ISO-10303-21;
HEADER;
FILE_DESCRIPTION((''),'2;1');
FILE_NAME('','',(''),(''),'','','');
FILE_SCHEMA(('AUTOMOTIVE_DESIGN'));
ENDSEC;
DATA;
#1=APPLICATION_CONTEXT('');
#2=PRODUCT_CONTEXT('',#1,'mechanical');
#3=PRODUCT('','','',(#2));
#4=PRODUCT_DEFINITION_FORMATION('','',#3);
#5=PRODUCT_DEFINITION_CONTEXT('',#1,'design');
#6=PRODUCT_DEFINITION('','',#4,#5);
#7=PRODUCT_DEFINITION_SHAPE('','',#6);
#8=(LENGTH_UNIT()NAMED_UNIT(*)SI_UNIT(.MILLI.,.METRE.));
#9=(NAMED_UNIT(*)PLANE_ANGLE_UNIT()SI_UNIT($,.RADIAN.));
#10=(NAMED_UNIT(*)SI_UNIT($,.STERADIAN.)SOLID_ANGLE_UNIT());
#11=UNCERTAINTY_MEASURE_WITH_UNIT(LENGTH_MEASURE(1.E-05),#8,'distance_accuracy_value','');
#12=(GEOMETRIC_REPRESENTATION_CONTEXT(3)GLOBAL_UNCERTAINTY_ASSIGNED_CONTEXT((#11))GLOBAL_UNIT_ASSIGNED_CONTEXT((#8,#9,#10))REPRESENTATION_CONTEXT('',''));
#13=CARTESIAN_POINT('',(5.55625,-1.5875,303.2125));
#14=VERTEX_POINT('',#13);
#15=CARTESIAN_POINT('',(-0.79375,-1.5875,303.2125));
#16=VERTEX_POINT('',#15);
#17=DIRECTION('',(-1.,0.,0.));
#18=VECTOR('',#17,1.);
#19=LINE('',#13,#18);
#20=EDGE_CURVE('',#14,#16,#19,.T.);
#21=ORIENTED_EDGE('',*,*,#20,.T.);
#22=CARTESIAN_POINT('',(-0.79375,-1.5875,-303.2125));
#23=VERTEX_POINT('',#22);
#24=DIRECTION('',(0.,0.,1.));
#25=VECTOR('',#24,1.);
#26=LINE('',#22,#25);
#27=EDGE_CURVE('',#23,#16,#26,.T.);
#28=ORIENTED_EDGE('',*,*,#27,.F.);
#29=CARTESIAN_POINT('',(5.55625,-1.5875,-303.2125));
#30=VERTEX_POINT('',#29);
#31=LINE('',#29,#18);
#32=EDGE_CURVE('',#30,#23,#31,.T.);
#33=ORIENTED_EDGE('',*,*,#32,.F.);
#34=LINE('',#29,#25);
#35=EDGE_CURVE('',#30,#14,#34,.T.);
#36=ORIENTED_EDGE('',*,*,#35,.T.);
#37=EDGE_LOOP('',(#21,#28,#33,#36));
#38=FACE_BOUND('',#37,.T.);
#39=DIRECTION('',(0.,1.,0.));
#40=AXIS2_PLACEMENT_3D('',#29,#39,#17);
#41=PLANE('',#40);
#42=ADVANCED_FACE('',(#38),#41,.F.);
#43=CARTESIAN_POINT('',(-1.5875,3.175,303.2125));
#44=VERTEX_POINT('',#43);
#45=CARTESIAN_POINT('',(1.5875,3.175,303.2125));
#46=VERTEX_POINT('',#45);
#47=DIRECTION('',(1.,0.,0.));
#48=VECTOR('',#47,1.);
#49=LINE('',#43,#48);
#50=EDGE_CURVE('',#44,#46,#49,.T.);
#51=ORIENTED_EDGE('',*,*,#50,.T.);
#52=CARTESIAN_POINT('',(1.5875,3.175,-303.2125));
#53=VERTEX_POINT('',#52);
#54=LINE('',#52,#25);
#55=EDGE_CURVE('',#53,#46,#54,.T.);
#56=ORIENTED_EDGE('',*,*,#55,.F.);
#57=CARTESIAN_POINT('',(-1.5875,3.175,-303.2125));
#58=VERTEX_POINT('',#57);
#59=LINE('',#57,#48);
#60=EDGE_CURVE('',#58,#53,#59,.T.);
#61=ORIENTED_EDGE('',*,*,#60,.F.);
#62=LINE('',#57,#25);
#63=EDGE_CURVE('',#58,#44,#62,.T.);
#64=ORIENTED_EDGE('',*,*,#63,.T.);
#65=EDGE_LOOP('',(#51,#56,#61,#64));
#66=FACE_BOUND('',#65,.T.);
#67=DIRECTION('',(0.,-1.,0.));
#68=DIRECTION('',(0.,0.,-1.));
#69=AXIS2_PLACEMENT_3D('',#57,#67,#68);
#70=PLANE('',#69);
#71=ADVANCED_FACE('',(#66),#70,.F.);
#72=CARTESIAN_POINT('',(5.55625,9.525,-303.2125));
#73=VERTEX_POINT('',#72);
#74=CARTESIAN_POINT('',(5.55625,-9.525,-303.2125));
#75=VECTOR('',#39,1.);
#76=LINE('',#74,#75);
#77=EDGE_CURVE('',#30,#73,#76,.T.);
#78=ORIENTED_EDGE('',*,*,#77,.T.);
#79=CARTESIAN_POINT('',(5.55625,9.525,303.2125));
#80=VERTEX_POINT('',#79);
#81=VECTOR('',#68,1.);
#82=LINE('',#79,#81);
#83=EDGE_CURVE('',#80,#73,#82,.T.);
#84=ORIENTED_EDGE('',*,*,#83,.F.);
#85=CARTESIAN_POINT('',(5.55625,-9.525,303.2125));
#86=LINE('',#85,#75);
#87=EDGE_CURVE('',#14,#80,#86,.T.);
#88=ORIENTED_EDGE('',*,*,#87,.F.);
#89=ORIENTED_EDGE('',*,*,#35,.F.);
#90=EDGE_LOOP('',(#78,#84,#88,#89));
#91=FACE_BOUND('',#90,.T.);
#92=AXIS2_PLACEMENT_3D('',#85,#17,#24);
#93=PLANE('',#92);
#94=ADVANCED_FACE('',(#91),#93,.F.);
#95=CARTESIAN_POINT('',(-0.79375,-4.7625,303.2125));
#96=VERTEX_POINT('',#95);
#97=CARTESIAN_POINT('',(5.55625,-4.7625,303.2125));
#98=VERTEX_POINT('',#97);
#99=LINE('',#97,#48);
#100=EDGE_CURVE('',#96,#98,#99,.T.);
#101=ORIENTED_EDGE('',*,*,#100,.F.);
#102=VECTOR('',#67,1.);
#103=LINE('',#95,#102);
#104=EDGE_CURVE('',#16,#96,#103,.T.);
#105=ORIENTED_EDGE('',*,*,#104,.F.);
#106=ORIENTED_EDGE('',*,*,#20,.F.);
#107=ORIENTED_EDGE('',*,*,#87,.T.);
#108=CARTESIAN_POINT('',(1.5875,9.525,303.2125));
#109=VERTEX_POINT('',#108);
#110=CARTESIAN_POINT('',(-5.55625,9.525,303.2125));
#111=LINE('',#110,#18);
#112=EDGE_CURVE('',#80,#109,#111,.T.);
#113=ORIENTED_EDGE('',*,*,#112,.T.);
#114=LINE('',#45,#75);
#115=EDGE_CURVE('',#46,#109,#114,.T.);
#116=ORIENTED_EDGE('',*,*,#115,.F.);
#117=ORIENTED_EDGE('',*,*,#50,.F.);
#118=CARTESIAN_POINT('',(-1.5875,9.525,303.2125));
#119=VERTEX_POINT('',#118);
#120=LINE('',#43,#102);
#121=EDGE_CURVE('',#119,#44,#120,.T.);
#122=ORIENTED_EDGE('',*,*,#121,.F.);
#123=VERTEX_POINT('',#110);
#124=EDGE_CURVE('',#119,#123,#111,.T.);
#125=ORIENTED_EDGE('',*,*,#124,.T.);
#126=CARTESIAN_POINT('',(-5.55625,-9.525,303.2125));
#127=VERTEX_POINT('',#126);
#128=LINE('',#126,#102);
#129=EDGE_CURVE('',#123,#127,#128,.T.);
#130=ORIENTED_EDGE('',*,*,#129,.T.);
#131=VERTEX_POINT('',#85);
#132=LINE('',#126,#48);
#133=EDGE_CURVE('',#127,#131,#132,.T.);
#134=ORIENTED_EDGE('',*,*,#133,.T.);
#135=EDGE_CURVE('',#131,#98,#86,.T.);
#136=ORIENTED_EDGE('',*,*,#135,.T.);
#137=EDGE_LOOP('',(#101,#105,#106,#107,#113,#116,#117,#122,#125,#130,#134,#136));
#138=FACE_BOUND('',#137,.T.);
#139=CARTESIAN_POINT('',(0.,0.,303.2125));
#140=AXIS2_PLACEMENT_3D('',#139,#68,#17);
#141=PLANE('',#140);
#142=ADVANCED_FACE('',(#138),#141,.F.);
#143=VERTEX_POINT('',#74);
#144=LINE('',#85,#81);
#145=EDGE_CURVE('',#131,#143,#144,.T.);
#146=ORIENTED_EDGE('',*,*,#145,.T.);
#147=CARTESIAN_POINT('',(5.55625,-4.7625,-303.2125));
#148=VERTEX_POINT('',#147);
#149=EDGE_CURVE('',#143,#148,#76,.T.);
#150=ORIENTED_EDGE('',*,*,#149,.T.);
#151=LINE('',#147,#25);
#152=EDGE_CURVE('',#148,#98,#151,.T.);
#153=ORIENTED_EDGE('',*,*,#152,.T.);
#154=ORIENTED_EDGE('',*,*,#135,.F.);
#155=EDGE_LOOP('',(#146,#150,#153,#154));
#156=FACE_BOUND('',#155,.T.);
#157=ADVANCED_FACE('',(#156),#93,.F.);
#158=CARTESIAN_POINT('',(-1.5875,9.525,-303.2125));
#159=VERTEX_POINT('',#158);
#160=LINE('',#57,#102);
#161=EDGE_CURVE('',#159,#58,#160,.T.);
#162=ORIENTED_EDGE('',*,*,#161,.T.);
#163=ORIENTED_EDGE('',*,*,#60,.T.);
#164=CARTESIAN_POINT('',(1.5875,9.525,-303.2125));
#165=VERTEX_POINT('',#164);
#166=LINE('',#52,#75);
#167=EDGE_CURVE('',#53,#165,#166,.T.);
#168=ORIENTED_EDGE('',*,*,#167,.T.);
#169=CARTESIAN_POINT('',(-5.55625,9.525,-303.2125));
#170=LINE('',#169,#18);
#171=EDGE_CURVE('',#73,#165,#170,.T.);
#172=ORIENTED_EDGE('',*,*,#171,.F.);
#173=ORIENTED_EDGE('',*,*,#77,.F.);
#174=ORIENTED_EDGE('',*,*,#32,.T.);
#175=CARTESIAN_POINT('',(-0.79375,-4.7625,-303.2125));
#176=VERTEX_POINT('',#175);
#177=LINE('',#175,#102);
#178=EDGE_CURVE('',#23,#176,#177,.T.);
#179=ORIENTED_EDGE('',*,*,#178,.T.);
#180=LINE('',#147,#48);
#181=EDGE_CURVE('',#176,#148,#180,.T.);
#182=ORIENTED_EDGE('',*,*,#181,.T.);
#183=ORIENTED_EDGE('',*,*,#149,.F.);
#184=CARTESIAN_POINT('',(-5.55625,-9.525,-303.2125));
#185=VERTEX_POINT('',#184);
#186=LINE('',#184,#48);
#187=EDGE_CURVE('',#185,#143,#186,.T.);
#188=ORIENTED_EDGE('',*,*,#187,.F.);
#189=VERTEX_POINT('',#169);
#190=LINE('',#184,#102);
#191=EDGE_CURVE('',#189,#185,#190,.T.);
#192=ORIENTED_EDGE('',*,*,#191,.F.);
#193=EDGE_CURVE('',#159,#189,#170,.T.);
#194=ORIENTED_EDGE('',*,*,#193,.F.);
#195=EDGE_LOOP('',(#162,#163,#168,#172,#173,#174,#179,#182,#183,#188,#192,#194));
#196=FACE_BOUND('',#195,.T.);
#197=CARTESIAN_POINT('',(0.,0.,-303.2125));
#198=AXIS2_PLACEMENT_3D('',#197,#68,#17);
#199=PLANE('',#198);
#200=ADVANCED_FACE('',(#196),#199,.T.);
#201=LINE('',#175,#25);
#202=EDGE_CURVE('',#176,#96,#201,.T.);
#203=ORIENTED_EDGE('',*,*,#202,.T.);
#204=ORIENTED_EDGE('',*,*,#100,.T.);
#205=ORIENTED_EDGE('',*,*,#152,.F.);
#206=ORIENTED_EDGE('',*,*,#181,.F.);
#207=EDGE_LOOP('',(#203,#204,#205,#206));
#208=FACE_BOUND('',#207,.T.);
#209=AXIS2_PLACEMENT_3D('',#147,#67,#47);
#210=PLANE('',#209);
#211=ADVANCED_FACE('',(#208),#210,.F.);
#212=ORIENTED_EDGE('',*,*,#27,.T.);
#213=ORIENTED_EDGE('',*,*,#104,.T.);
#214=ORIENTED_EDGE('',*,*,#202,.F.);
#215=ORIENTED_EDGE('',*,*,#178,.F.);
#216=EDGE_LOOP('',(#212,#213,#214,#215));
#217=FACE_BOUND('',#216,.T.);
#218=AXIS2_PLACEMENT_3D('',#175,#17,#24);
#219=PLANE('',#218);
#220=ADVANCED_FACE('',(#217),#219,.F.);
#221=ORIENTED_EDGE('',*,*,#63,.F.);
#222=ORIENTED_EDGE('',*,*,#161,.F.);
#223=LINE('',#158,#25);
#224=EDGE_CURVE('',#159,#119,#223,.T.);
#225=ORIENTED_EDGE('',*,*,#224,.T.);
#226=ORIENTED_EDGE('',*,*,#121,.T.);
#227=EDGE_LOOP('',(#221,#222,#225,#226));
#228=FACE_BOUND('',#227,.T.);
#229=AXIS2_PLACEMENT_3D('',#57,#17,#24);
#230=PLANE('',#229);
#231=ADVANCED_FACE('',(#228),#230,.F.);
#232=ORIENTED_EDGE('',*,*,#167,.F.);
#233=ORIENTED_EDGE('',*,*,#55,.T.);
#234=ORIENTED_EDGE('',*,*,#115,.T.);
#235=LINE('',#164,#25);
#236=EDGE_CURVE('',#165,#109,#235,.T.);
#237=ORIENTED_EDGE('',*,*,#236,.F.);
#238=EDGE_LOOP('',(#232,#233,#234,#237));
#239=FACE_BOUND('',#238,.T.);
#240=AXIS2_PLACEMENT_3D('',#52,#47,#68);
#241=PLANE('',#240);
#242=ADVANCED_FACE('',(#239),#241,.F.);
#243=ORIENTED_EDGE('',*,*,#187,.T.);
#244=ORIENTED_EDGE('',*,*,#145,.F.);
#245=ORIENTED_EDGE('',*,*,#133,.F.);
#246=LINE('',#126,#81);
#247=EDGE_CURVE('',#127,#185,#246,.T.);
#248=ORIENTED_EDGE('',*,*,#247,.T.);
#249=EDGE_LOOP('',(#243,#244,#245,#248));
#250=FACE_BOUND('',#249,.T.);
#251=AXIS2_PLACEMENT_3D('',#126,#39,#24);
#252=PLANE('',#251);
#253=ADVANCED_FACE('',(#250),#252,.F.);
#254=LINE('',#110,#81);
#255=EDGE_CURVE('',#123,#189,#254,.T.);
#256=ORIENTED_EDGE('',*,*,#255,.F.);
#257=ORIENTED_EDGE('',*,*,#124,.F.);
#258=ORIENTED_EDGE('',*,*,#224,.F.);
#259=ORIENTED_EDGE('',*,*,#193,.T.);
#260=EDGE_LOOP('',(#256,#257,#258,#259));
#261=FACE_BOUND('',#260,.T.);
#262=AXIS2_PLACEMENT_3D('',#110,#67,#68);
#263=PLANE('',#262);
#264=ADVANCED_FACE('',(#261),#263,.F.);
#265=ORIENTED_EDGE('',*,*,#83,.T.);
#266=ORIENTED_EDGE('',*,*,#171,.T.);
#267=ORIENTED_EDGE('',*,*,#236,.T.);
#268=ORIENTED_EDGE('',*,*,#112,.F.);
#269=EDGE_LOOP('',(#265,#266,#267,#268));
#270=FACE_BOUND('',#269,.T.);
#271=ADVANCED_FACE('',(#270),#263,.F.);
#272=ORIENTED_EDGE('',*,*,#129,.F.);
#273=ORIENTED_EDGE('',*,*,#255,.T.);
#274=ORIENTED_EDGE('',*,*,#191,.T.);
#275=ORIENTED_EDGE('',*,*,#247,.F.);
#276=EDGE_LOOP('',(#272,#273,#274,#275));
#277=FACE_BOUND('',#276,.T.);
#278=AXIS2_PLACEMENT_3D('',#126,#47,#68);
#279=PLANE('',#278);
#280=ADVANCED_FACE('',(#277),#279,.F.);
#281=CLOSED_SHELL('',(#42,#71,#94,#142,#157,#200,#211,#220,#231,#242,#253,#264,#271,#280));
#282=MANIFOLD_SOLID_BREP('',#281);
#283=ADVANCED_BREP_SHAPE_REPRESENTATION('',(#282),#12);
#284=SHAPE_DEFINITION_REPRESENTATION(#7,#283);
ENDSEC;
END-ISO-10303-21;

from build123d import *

# Parameters (mm, degrees)
SKETCH1_W                            = 11.1125
SKETCH1_H                            = 19.05
WOOD_STRIP_DEPTH                     = 303.2125
SKETCH2_W                            = 3.175
SKETCH2_H                            = 6.35
SLOT_FOR_MOUNTING_TO_EXTRUSION_DEPTH = 607.425
SKETCH3_W                            = 6.35
SKETCH3_H                            = 3.175
SLOT_FOR_DIFFUSER_DEPTH              = 607.425


with BuildPart() as part:
    # Sketch1 → Wood Strip (new body, symmetric)
    with BuildSketch(Plane.XY):
        Rectangle(SKETCH1_W, SKETCH1_H)
    extrude(amount=WOOD_STRIP_DEPTH, both=True)

    # Sketch2 → Slot for Mounting to Extrusion (cut, through all)
    with BuildSketch(Plane.XY.offset(303.2125)):
        with Locations((0, 6.35)):
            Rectangle(SKETCH2_W, SKETCH2_H)
    extrude(amount=-SLOT_FOR_MOUNTING_TO_EXTRUSION_DEPTH, mode=Mode.SUBTRACT)

    # Sketch3 → Slot for Diffuser (cut, through all)
    with BuildSketch(Plane.XY.offset(303.2125)):
        with Locations((2.38125, -3.175)):
            Rectangle(SKETCH3_W, SKETCH3_H)
    extrude(amount=-SLOT_FOR_DIFFUSER_DEPTH, mode=Mode.SUBTRACT)


solid = part.part
